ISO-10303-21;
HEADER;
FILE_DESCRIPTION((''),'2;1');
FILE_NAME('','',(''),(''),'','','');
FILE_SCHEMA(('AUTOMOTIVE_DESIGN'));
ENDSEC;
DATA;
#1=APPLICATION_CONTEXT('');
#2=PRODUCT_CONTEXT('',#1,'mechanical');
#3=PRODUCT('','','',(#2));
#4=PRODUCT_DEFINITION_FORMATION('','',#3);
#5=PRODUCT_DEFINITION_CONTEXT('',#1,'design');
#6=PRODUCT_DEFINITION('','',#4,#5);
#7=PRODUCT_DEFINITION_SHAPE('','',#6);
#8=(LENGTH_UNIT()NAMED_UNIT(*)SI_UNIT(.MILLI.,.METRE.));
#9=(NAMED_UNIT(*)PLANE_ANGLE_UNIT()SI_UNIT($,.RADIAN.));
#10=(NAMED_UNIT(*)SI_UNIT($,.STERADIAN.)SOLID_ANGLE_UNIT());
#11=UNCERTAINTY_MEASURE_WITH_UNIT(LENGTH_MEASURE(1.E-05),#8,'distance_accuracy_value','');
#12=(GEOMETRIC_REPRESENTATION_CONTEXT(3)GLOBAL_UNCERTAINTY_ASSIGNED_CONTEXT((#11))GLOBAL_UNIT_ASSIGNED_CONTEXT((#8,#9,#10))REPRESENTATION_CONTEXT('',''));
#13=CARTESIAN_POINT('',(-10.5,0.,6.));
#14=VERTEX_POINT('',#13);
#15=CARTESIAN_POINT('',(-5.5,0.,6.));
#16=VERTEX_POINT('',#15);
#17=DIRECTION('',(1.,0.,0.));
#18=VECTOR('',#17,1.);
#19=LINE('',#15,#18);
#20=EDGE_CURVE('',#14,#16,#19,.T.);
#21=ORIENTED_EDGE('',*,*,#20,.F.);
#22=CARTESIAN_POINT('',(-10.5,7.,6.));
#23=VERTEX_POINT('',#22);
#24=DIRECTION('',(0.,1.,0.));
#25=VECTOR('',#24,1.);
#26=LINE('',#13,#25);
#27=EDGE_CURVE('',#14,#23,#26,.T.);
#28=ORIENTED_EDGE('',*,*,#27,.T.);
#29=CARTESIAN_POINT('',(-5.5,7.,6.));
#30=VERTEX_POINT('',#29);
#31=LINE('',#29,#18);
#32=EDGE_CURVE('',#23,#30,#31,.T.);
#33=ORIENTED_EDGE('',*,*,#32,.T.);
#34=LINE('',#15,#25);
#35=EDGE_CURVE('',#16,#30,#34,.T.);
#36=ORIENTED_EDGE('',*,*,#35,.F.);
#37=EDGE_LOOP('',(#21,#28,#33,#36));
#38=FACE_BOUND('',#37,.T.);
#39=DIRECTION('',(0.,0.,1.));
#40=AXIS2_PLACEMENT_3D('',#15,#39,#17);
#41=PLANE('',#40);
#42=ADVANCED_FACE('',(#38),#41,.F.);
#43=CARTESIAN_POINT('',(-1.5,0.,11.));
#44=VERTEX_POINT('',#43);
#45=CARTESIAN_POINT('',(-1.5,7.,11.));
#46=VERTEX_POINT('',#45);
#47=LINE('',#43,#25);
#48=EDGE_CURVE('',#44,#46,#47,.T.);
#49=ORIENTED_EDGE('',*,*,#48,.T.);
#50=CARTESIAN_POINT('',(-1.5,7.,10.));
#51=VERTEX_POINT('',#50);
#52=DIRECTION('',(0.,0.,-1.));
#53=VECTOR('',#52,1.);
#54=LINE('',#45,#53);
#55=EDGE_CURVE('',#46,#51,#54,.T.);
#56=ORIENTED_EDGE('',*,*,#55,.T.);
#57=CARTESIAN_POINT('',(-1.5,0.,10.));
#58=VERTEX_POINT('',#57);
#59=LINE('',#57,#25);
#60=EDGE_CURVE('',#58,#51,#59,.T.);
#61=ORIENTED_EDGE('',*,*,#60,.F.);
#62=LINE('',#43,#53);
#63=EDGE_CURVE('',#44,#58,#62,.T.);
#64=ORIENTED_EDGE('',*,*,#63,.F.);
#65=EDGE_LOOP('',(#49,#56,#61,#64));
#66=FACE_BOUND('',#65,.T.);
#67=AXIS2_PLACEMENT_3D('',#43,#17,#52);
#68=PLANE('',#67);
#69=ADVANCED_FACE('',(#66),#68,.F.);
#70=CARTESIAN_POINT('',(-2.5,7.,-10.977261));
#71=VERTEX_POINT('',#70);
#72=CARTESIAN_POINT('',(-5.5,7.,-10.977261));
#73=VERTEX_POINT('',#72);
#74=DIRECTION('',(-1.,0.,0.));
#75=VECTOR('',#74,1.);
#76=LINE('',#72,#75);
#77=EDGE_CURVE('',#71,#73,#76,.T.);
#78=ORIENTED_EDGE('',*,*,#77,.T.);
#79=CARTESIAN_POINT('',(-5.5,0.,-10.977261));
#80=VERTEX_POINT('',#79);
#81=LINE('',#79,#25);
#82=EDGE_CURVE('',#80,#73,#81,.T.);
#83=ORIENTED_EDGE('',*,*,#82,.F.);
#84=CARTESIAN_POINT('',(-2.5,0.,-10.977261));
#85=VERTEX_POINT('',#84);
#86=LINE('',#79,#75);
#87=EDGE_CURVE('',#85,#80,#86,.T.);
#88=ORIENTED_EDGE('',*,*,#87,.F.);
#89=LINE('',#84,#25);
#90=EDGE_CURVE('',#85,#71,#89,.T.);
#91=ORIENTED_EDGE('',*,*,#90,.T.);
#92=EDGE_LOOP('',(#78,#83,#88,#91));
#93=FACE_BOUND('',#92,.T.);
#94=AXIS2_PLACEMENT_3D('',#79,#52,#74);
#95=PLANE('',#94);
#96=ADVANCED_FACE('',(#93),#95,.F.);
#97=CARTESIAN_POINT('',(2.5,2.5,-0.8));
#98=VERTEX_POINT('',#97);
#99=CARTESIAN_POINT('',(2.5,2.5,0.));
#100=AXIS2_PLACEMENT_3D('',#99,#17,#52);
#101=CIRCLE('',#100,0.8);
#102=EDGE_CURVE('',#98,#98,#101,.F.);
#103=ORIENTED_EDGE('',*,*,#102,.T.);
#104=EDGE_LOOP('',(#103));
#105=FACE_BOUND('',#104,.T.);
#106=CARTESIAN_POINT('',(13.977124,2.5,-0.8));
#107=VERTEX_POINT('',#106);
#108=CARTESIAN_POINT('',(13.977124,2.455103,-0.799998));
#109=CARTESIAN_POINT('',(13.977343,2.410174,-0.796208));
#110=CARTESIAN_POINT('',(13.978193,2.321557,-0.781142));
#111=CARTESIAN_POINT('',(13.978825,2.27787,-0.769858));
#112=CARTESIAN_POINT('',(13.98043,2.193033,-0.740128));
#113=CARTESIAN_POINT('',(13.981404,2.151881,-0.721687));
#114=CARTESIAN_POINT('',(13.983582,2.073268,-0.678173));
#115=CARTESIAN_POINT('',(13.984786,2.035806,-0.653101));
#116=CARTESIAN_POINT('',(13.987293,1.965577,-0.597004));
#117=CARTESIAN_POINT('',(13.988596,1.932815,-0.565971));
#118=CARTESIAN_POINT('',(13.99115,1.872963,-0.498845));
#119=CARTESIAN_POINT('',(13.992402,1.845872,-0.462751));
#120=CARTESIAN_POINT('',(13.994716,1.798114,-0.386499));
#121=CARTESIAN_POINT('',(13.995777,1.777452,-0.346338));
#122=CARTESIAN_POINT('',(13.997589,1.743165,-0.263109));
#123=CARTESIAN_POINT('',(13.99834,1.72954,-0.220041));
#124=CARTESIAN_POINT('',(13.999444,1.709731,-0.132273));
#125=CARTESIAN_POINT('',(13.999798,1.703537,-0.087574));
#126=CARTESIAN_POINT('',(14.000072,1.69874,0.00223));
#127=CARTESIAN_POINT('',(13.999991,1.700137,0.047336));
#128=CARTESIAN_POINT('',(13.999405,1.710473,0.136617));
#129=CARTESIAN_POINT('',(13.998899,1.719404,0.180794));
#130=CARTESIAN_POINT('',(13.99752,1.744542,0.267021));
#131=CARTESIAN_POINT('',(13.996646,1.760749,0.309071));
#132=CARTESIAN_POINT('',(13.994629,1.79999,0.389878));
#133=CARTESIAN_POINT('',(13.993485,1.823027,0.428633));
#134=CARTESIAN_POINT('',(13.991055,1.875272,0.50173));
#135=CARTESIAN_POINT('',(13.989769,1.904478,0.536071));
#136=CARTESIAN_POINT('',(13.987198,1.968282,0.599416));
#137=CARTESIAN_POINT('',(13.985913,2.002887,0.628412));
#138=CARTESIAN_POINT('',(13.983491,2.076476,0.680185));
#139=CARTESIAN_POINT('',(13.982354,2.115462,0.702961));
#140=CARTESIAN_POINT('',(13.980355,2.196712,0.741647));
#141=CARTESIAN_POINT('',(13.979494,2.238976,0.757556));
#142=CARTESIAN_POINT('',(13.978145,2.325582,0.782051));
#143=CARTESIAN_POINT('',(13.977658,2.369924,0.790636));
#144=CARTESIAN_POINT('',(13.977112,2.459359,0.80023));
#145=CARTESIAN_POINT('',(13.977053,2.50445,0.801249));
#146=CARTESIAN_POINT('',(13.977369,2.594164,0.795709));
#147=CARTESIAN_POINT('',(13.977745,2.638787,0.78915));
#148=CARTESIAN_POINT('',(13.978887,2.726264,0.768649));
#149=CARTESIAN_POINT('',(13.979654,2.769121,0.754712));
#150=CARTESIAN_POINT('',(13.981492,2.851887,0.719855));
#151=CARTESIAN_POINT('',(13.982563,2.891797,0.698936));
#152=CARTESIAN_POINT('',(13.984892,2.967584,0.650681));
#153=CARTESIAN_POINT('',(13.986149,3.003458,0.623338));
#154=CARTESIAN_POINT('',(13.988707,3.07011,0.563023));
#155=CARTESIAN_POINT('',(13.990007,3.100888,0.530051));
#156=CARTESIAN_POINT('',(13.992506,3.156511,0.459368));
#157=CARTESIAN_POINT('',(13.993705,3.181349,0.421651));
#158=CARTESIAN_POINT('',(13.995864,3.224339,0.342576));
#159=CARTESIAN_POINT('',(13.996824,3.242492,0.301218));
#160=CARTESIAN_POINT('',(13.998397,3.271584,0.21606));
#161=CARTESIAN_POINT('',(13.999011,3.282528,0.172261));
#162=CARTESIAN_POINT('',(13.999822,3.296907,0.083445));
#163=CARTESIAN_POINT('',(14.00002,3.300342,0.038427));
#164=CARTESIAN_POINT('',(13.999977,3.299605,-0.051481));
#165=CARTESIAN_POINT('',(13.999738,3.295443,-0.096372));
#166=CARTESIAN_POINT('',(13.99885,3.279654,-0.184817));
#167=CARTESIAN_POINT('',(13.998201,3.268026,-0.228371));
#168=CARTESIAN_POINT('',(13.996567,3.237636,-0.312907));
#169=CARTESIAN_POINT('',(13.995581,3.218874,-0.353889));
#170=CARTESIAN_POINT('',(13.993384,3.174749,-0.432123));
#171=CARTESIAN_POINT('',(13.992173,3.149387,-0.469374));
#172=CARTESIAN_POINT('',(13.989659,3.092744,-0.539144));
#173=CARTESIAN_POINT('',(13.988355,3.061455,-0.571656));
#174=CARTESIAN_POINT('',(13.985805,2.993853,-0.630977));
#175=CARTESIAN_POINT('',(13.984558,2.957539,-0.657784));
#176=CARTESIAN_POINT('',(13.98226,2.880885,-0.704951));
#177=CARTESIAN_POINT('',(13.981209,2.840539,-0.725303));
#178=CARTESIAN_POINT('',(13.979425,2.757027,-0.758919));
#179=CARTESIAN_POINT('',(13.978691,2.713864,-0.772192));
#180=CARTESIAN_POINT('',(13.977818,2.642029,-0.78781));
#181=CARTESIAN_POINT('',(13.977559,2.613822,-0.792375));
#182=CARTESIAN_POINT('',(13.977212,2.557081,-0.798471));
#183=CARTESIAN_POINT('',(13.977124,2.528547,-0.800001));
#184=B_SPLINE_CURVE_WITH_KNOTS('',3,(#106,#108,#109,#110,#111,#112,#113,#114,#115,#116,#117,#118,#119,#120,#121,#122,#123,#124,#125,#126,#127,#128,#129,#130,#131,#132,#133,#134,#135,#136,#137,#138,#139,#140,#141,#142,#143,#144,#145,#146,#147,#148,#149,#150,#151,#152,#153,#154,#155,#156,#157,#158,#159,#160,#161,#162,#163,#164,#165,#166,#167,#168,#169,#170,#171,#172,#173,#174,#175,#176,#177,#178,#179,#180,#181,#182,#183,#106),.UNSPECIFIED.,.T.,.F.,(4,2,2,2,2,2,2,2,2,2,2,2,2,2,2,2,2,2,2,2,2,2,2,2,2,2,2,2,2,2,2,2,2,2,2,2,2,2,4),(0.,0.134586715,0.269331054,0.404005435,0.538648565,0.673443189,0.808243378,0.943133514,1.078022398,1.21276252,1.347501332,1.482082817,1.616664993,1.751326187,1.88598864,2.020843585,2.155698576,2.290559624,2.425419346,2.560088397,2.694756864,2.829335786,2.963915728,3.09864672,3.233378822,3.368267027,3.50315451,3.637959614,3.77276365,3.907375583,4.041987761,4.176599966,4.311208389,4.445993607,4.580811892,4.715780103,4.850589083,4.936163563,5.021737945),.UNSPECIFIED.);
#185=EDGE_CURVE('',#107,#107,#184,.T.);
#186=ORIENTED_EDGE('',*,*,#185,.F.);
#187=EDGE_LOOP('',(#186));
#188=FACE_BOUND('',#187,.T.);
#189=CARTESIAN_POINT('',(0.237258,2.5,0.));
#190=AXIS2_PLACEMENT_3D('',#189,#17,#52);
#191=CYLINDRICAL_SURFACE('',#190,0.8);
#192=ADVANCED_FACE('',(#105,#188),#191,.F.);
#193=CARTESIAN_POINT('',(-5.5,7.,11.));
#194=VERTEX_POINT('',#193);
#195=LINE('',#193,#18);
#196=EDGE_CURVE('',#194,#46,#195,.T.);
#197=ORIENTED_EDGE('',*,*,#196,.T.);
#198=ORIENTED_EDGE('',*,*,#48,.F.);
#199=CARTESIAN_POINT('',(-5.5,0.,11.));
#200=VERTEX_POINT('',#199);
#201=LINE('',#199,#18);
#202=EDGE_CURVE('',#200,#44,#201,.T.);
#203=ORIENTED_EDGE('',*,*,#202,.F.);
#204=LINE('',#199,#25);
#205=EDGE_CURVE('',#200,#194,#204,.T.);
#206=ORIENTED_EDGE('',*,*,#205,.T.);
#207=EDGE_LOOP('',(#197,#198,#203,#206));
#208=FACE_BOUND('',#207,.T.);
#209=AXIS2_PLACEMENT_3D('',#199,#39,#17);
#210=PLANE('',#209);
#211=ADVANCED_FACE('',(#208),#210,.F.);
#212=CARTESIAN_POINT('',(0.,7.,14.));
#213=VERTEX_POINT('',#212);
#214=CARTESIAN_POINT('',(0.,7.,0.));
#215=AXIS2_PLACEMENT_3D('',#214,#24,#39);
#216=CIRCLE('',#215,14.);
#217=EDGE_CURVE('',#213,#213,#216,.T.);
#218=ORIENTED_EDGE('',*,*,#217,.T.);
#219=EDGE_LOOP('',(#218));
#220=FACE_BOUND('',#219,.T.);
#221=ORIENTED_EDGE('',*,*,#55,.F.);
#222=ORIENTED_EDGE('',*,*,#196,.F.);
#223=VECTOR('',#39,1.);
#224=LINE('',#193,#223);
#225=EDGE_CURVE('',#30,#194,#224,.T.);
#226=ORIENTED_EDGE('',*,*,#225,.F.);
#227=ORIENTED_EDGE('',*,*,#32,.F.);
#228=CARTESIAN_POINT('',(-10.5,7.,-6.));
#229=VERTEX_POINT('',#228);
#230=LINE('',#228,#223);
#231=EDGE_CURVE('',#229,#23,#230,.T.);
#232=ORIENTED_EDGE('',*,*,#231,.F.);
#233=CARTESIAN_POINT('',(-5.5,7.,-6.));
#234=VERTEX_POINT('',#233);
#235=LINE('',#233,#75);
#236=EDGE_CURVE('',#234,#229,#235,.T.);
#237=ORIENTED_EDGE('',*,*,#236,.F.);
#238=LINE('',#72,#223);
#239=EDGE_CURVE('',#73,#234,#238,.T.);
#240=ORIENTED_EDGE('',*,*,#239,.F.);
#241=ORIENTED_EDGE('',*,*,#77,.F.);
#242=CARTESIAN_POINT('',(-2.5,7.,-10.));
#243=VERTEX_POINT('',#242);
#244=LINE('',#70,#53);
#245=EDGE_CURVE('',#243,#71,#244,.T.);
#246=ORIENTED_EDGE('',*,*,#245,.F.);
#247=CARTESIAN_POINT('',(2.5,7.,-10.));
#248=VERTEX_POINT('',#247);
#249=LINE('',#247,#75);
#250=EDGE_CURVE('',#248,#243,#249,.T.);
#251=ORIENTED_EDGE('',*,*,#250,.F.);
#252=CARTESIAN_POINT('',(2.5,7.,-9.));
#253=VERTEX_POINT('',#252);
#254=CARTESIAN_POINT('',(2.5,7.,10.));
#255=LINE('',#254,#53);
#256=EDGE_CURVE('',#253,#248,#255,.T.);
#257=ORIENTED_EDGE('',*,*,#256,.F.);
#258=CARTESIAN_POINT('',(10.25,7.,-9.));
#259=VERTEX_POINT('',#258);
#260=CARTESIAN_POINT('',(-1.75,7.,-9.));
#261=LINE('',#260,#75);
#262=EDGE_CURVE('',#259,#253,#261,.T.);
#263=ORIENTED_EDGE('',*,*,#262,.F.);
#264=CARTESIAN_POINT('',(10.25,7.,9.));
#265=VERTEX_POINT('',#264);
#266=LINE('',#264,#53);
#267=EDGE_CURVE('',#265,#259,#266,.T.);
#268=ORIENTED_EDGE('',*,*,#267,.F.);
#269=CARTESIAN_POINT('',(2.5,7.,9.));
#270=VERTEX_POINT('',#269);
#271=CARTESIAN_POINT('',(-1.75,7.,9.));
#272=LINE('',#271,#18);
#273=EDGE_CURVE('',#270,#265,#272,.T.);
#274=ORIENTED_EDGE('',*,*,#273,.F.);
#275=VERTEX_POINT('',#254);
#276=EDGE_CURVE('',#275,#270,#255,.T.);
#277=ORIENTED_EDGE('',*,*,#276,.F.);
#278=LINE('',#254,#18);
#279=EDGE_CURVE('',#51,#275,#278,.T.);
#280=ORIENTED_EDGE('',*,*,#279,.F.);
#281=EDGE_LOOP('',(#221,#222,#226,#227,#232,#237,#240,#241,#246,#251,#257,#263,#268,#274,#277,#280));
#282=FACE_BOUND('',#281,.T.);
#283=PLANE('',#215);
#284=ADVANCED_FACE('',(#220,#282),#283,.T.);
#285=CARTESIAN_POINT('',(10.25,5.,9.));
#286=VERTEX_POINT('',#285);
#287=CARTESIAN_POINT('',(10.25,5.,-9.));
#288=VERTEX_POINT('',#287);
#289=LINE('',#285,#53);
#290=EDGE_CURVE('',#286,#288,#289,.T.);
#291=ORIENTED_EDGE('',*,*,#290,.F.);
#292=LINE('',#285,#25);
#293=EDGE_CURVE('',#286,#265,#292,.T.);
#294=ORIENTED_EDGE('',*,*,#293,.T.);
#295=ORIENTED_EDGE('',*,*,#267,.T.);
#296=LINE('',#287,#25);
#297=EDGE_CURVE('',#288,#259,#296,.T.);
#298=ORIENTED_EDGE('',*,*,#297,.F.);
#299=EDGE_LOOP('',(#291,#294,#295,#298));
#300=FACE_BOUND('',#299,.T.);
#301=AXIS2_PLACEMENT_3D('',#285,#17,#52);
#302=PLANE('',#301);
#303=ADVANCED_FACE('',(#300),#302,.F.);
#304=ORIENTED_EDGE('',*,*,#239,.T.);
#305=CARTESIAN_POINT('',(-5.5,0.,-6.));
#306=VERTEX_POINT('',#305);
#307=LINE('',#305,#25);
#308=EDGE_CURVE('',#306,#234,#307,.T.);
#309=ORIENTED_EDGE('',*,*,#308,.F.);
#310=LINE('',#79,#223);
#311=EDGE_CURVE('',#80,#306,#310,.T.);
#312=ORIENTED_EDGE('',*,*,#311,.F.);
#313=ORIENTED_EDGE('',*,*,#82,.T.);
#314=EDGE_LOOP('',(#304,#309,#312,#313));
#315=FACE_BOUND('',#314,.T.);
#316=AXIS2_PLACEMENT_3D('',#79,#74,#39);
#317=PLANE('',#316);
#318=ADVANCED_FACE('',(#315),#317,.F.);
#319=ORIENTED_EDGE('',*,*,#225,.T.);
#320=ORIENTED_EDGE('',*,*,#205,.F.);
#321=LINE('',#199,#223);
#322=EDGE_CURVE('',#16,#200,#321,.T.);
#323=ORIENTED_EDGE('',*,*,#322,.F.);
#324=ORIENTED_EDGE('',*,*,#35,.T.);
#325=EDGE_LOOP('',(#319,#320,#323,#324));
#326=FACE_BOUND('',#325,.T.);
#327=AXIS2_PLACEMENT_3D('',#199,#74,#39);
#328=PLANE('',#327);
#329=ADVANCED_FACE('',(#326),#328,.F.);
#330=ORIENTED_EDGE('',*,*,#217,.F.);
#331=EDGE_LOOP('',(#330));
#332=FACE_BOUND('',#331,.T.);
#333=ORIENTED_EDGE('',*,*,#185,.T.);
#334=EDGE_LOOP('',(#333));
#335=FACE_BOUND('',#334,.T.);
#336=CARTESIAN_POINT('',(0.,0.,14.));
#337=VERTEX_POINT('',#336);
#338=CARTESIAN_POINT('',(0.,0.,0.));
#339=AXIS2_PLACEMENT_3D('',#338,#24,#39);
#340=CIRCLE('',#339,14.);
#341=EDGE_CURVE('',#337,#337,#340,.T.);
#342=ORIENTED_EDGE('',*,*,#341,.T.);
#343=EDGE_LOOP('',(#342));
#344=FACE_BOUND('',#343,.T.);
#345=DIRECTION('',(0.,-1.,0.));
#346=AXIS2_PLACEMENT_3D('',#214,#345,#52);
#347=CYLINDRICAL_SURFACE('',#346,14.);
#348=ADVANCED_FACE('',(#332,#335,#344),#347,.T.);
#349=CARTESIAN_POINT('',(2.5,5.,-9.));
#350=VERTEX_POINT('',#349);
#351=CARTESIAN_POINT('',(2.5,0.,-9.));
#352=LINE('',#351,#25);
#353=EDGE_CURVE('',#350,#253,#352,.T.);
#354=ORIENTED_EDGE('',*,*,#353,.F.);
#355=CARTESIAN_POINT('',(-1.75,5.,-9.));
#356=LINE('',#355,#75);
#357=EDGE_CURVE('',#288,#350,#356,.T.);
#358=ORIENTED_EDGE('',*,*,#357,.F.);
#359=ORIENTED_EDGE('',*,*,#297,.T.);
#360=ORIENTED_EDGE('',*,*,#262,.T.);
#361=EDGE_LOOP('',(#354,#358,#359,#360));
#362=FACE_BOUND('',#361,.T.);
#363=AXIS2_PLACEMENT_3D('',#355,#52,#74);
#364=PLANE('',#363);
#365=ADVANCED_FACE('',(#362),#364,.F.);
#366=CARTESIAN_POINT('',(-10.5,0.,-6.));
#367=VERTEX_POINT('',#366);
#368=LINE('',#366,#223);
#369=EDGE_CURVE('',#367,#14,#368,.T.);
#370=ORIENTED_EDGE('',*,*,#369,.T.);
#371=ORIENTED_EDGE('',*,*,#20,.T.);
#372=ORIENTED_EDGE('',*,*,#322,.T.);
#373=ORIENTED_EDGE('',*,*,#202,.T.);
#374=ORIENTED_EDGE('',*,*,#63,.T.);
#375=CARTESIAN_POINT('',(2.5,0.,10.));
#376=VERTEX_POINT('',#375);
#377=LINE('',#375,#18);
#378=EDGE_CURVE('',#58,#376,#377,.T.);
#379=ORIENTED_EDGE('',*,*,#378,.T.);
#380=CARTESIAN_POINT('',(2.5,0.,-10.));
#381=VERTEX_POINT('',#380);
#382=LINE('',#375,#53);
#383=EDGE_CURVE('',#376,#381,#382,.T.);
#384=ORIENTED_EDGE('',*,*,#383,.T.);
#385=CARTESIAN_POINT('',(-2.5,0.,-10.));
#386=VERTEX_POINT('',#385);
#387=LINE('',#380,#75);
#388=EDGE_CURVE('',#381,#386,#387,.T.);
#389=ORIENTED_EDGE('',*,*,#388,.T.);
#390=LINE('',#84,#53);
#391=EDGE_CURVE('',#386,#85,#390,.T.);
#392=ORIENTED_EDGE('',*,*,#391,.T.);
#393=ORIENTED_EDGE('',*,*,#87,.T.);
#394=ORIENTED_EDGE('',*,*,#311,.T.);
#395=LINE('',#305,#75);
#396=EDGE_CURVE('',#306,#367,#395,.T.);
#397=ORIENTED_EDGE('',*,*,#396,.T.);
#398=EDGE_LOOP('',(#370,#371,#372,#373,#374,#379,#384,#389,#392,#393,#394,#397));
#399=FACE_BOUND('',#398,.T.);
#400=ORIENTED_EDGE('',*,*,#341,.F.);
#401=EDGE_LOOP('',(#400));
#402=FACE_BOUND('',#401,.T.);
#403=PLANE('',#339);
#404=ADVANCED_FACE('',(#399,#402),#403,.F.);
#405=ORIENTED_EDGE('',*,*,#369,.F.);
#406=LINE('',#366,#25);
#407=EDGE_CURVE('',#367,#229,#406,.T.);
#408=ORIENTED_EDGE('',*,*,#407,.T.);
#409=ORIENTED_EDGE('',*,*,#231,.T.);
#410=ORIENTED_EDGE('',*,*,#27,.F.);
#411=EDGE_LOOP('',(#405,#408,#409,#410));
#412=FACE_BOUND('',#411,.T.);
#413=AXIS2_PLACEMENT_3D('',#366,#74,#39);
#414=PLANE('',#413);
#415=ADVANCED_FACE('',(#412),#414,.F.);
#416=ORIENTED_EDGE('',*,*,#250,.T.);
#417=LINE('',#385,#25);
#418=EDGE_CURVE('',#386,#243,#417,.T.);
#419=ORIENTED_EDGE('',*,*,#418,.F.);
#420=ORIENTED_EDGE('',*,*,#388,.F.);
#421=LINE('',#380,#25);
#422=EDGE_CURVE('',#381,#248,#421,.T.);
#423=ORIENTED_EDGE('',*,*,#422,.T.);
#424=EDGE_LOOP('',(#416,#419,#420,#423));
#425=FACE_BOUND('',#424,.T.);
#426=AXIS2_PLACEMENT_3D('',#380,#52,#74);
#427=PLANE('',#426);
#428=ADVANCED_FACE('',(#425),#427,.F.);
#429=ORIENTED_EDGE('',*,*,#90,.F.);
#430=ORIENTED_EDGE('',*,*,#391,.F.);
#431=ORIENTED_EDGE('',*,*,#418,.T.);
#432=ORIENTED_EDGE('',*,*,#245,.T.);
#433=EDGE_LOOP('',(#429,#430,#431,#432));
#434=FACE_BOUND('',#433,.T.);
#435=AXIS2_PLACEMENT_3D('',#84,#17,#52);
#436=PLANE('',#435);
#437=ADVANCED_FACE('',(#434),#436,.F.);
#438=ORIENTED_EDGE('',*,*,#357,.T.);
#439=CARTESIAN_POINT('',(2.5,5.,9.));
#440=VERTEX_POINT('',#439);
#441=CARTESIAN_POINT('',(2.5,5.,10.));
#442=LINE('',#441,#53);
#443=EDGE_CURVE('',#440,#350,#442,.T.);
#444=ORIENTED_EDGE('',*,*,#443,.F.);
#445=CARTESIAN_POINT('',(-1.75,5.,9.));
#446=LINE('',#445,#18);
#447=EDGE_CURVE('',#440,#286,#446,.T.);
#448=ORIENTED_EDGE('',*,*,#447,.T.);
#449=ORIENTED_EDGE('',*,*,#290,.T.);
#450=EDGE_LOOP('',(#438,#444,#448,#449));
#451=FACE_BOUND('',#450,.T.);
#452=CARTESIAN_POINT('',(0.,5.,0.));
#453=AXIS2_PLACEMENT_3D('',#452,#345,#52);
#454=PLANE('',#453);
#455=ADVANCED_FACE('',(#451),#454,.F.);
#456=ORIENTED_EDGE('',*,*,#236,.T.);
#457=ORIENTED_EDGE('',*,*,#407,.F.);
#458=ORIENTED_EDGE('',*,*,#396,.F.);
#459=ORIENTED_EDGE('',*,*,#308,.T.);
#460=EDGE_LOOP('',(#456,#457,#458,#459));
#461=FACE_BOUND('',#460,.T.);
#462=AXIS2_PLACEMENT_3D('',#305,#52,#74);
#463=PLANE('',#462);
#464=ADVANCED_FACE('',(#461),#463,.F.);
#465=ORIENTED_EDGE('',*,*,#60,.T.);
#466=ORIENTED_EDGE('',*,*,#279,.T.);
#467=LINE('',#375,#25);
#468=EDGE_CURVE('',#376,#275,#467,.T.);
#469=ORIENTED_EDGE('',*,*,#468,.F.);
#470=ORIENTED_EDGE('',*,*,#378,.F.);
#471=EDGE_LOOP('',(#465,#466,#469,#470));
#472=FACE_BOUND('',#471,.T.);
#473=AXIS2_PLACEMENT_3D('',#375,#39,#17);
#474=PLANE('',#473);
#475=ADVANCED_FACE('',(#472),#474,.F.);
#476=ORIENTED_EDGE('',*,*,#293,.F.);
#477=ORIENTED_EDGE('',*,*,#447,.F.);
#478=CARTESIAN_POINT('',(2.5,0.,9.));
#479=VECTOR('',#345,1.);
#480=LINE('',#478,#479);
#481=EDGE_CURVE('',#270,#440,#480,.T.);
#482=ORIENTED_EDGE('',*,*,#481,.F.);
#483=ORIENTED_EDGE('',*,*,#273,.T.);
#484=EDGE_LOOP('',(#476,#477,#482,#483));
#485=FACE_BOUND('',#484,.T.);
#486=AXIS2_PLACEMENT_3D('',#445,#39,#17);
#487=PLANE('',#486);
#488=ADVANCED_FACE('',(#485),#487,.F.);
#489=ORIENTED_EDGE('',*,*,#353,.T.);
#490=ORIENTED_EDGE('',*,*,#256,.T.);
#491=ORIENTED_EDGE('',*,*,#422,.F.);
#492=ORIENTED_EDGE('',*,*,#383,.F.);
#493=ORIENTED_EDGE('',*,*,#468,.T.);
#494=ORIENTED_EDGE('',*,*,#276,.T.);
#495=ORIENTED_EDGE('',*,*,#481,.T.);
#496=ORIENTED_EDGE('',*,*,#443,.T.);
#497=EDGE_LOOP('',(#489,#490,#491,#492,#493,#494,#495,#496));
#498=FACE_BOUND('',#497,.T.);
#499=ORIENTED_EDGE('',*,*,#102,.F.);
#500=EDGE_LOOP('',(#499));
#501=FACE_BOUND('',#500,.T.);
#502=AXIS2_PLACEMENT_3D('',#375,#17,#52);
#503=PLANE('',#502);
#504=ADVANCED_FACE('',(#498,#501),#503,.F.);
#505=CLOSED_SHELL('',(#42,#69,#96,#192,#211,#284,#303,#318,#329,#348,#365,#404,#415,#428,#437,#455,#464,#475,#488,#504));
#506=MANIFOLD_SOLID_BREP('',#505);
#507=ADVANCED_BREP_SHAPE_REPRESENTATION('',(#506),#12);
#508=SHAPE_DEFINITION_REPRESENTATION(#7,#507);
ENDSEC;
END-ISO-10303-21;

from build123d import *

# Parameters (mm, degrees)
SKETCH_3_R          = 14
EXTRUDE_2_DEPTH     = 7
CUT_EXTRUDE_1_DEPTH = 8
SKETCH_10_W         = 12
SKETCH_10_H         = 18
CUT_EXTRUDE_2_DEPTH = 2
SKETCH_12_R         = 0.8
CUT_EXTRUDE_3_DEPTH = 11.5


with BuildPart() as part:
    # Эскиз3 → Бобышка-Вытянуть2 (new body)
    with BuildSketch(Plane(origin=(0, 0, 0), x_dir=(1, 0, 0), z_dir=(0, 1, 0))):
        Circle(SKETCH_3_R)
    extrude(amount=EXTRUDE_2_DEPTH)

    # Эскиз8 → Вырез-Вытянуть1 (cut, through all)
    with BuildSketch(Plane(origin=(0, 7, 0), x_dir=(1, 0, 0), z_dir=(0, 1, 0))):
        Polygon((-2.5, 10.977260976), (-2.5, 10), (2.5, 10), (2.5, -10), (-1.5, -10), (-1.5, -11), (-5.5, -11), (-5.5, -6), (-10.5, -6), (-10.5, 6), (-5.5, 6), (-5.5, 10.977260976), align=None)
    extrude(amount=-CUT_EXTRUDE_1_DEPTH, mode=Mode.SUBTRACT)

    # Эскиз10 → Вырез-Вытянуть2 (cut)
    with BuildSketch(Plane(origin=(0, 7, 0), x_dir=(1, 0, 0), z_dir=(0, 1, 0))):
        with Locations((4.25, 0)):
            Rectangle(SKETCH_10_W, SKETCH_10_H)
    extrude(amount=-CUT_EXTRUDE_2_DEPTH, mode=Mode.SUBTRACT)

    # Эскиз12 → Вырез-Вытянуть3 (cut)
    with BuildSketch(Plane(origin=(14, 0, 0), x_dir=(0, 0, -1), z_dir=(1, 0, 0))):
        with Locations((0, 2.5)):
            Circle(SKETCH_12_R)
    extrude(amount=-CUT_EXTRUDE_3_DEPTH, mode=Mode.SUBTRACT)


solid = part.part
